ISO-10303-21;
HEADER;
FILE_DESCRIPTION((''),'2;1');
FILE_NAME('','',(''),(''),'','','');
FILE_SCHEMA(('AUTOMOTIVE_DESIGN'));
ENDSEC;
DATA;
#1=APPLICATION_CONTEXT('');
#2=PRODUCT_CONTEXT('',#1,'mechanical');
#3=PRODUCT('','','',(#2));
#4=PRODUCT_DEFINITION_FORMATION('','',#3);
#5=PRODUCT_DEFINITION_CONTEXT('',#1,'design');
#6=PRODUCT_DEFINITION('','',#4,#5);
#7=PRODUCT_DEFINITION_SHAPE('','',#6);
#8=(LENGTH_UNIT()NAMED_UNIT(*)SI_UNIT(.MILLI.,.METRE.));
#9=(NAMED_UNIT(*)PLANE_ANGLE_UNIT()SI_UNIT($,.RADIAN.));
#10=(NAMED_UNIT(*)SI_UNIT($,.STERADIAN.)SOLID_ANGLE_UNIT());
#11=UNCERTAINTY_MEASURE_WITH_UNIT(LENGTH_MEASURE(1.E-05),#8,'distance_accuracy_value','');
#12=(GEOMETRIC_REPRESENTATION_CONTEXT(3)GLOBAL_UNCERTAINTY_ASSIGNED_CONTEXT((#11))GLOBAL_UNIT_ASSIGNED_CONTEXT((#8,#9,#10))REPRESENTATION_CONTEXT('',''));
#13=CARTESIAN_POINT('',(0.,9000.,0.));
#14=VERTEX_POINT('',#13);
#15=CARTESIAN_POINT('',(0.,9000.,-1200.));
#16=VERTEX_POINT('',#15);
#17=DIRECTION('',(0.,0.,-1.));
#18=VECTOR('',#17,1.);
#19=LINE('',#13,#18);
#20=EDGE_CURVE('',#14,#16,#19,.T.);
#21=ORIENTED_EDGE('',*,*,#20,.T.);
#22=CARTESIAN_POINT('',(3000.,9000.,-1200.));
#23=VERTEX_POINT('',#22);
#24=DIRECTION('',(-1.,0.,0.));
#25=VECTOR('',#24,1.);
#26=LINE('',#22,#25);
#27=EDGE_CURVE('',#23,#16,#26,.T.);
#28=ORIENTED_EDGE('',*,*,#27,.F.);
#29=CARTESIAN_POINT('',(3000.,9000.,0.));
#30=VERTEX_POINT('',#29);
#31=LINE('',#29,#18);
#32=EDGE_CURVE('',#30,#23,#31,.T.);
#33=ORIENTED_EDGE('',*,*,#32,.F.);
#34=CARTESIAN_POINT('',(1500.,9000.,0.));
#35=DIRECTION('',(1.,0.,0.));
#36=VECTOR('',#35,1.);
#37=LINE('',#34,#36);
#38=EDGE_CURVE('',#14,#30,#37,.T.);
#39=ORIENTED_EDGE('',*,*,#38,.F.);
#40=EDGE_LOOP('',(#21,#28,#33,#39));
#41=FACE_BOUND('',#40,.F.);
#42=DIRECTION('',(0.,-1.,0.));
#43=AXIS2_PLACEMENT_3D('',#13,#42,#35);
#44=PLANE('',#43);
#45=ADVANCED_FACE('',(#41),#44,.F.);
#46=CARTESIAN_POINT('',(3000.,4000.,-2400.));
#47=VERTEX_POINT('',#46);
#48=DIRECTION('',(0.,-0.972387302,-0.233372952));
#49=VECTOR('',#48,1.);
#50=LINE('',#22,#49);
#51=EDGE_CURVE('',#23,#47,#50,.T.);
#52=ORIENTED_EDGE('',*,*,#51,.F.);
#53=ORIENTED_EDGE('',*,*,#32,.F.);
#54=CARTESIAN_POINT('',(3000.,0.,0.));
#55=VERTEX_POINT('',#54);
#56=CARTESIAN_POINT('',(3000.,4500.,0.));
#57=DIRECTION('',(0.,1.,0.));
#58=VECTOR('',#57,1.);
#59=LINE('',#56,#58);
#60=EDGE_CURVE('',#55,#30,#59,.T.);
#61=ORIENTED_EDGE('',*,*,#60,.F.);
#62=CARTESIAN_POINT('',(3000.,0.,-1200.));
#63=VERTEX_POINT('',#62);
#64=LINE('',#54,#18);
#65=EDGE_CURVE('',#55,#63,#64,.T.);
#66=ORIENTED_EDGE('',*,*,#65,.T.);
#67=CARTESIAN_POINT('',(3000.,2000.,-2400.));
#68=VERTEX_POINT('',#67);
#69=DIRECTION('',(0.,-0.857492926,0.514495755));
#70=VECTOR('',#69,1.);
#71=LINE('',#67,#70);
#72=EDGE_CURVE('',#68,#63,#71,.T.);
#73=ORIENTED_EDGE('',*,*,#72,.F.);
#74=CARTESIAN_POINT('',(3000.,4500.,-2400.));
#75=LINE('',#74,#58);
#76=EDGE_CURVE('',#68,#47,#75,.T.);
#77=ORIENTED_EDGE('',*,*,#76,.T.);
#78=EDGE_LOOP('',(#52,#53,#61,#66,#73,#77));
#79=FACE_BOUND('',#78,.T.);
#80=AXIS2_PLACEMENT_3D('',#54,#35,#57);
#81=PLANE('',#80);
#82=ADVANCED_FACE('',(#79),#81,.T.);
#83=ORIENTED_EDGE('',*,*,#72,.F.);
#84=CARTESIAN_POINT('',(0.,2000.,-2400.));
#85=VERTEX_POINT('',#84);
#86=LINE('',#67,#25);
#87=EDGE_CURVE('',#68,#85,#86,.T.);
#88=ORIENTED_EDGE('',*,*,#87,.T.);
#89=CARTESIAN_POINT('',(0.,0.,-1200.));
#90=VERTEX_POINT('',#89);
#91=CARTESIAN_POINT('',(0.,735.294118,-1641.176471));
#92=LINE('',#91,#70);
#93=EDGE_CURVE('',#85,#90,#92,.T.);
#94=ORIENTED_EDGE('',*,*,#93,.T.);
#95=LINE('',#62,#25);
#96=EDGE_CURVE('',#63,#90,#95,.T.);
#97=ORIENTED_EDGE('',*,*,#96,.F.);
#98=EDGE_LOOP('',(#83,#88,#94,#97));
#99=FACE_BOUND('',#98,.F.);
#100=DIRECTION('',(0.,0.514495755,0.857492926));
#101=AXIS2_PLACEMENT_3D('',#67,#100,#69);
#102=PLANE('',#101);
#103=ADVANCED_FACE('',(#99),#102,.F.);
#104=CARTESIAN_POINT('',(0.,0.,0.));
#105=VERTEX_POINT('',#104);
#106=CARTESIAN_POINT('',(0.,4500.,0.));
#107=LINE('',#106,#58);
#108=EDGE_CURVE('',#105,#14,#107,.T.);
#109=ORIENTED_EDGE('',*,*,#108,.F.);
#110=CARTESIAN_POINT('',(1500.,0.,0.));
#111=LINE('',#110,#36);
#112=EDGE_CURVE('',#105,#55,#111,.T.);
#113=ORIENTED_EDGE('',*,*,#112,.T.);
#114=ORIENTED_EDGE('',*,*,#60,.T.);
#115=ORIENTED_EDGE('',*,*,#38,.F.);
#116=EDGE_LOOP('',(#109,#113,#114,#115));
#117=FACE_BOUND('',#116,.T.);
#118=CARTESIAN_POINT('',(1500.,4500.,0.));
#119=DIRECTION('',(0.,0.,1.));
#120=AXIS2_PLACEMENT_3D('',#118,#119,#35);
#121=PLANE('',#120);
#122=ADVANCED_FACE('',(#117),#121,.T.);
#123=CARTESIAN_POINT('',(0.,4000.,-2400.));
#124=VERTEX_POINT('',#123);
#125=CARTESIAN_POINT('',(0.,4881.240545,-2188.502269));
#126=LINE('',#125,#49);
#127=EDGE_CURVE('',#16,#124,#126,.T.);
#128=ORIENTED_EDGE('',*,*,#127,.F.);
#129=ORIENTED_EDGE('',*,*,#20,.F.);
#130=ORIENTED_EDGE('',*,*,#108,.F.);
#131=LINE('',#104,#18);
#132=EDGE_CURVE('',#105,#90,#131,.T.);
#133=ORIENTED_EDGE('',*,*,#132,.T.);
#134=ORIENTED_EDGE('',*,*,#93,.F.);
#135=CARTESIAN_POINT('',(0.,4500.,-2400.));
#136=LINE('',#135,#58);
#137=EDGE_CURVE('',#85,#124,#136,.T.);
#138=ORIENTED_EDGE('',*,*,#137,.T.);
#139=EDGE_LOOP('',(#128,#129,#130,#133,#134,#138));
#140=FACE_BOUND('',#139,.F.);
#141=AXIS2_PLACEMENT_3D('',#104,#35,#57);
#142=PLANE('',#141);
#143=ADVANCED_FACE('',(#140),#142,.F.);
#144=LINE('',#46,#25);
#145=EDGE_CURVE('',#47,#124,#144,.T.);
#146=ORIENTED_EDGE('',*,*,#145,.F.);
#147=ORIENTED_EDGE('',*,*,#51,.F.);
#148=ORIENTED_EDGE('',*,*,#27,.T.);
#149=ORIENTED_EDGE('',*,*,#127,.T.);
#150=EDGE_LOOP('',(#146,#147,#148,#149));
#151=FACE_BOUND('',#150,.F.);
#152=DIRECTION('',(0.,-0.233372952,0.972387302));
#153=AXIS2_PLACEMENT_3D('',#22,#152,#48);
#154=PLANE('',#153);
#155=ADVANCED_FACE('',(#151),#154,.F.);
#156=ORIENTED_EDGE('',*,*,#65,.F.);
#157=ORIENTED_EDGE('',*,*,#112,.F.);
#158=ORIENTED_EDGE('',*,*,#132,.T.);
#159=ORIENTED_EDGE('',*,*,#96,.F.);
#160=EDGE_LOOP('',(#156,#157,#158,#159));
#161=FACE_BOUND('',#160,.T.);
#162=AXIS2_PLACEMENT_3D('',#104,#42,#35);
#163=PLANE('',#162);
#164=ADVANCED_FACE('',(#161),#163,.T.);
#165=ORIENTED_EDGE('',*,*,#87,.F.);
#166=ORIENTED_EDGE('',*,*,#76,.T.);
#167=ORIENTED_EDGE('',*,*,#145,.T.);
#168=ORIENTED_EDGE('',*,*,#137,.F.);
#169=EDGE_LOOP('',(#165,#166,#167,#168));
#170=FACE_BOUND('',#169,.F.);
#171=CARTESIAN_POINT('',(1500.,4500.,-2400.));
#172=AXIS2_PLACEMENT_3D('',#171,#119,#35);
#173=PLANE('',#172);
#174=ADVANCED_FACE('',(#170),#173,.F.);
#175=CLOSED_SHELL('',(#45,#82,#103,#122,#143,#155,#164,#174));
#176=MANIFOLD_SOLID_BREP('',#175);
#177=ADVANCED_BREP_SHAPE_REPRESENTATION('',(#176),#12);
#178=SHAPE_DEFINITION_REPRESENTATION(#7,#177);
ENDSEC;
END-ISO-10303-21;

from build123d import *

# Parameters (mm, degrees)
F0_W     = 3000
F0_H     = 9000
F1_DEPTH = 2400
F3_DEPTH = 3000.001


with BuildPart() as f1:
    # F0 (on Top) → F1 (new body)
    with BuildSketch(Plane.XY):
        with Locations((1500, 4500)):
            Rectangle(F0_W, F0_H)
    extrude(amount=-F1_DEPTH)

    # F2 (on face) → F3 (cut, through all)
    with BuildSketch(Plane.YZ.offset(3000)):
        Polygon((0, -1200), (0, -2400), (2000, -2400), align=None)
        Polygon((9000, -1200), (4000, -2400), (9000, -2400), align=None)
    extrude(amount=-F3_DEPTH, mode=Mode.SUBTRACT)


solid = f1.part
